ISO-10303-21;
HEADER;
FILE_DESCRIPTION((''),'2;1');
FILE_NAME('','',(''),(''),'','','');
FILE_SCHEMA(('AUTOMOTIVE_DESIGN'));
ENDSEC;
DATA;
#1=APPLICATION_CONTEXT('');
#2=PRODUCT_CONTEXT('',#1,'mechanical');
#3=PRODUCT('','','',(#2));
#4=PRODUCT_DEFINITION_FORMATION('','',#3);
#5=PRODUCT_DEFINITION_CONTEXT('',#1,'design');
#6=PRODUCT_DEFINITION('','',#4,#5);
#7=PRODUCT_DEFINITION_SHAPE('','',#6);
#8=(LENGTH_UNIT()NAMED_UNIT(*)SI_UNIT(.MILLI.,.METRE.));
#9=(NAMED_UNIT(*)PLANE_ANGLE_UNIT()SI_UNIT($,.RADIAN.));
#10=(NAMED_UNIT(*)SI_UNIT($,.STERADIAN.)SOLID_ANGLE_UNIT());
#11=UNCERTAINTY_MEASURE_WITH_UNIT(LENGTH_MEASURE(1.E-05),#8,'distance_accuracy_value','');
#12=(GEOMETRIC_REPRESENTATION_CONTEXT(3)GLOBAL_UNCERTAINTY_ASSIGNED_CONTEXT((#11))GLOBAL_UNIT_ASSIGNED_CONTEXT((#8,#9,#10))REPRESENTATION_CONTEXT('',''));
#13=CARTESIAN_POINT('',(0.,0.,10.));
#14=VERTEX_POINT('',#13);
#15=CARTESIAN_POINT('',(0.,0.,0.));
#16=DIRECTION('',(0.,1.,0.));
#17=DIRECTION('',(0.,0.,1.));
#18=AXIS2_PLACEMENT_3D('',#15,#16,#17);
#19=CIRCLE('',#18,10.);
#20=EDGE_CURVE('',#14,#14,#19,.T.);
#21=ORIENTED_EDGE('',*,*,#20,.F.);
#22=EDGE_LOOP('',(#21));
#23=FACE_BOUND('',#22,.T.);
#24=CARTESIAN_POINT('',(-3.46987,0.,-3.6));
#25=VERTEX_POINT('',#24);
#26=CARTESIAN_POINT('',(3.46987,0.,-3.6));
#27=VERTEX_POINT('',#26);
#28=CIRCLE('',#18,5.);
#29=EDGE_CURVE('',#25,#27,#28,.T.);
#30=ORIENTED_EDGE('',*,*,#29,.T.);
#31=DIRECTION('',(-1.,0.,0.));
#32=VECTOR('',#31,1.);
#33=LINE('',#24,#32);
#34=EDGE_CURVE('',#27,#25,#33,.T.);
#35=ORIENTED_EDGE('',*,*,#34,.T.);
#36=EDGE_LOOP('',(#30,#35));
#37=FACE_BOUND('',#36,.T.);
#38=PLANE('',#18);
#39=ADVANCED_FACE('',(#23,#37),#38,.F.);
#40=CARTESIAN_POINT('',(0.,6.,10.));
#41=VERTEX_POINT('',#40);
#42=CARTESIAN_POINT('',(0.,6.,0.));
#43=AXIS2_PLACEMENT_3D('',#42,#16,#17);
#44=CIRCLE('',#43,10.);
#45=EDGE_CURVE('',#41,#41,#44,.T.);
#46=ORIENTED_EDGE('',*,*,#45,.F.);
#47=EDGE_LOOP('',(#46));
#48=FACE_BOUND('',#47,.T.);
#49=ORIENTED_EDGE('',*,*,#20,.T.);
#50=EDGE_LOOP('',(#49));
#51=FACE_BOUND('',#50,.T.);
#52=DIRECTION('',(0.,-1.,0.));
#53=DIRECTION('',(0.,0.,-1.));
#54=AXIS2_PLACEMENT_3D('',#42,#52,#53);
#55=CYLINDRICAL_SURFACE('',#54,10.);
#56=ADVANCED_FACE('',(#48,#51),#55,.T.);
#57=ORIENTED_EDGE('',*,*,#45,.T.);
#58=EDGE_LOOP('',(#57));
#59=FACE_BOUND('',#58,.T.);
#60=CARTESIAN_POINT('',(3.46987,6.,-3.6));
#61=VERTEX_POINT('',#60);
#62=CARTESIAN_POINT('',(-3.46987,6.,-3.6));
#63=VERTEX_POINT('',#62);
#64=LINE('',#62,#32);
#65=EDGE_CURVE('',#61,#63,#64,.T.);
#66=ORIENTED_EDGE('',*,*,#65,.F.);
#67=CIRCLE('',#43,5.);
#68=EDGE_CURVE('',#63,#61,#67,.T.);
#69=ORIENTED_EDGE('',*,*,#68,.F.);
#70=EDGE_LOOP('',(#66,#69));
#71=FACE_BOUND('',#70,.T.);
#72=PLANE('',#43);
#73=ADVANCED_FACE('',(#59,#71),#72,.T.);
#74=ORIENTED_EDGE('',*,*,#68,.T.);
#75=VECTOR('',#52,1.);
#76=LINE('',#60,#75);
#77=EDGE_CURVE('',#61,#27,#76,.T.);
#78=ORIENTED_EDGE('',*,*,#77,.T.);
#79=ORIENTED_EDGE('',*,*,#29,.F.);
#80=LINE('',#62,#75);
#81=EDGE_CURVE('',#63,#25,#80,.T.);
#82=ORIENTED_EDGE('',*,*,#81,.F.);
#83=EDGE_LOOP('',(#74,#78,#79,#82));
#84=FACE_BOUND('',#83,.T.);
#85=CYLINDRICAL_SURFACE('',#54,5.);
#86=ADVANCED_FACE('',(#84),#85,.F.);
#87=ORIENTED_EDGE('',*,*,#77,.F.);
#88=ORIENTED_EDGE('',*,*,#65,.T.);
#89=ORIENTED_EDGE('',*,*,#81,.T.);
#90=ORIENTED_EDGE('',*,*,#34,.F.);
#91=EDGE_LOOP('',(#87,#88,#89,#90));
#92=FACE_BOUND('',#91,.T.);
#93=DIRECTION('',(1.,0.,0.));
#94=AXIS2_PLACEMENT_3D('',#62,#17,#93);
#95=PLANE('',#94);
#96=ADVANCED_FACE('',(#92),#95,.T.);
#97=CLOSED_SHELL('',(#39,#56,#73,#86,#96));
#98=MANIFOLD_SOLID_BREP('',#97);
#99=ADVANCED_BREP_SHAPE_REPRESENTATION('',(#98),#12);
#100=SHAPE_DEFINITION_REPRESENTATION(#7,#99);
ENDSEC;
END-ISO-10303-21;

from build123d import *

# Parameters (mm, degrees)
SKETCH_1_R      = 10
EXTRUDE_1_DEPTH = 6


with BuildPart() as part:
    # 草图1 → 凸台-拉伸1 (new body)
    with BuildSketch(Plane(origin=(0, 0, 0), x_dir=(1, 0, 0), z_dir=(0, 1, 0))):
        Circle(SKETCH_1_R)
        with BuildLine():
            Line((-3.469870315, 3.6), (3.469870315, 3.6))
            ThreePointArc((3.469870315, 3.6), (0, -5), (-3.469870315, 3.6))
        make_face(mode=Mode.SUBTRACT)
    extrude(amount=EXTRUDE_1_DEPTH)


solid = part.part
